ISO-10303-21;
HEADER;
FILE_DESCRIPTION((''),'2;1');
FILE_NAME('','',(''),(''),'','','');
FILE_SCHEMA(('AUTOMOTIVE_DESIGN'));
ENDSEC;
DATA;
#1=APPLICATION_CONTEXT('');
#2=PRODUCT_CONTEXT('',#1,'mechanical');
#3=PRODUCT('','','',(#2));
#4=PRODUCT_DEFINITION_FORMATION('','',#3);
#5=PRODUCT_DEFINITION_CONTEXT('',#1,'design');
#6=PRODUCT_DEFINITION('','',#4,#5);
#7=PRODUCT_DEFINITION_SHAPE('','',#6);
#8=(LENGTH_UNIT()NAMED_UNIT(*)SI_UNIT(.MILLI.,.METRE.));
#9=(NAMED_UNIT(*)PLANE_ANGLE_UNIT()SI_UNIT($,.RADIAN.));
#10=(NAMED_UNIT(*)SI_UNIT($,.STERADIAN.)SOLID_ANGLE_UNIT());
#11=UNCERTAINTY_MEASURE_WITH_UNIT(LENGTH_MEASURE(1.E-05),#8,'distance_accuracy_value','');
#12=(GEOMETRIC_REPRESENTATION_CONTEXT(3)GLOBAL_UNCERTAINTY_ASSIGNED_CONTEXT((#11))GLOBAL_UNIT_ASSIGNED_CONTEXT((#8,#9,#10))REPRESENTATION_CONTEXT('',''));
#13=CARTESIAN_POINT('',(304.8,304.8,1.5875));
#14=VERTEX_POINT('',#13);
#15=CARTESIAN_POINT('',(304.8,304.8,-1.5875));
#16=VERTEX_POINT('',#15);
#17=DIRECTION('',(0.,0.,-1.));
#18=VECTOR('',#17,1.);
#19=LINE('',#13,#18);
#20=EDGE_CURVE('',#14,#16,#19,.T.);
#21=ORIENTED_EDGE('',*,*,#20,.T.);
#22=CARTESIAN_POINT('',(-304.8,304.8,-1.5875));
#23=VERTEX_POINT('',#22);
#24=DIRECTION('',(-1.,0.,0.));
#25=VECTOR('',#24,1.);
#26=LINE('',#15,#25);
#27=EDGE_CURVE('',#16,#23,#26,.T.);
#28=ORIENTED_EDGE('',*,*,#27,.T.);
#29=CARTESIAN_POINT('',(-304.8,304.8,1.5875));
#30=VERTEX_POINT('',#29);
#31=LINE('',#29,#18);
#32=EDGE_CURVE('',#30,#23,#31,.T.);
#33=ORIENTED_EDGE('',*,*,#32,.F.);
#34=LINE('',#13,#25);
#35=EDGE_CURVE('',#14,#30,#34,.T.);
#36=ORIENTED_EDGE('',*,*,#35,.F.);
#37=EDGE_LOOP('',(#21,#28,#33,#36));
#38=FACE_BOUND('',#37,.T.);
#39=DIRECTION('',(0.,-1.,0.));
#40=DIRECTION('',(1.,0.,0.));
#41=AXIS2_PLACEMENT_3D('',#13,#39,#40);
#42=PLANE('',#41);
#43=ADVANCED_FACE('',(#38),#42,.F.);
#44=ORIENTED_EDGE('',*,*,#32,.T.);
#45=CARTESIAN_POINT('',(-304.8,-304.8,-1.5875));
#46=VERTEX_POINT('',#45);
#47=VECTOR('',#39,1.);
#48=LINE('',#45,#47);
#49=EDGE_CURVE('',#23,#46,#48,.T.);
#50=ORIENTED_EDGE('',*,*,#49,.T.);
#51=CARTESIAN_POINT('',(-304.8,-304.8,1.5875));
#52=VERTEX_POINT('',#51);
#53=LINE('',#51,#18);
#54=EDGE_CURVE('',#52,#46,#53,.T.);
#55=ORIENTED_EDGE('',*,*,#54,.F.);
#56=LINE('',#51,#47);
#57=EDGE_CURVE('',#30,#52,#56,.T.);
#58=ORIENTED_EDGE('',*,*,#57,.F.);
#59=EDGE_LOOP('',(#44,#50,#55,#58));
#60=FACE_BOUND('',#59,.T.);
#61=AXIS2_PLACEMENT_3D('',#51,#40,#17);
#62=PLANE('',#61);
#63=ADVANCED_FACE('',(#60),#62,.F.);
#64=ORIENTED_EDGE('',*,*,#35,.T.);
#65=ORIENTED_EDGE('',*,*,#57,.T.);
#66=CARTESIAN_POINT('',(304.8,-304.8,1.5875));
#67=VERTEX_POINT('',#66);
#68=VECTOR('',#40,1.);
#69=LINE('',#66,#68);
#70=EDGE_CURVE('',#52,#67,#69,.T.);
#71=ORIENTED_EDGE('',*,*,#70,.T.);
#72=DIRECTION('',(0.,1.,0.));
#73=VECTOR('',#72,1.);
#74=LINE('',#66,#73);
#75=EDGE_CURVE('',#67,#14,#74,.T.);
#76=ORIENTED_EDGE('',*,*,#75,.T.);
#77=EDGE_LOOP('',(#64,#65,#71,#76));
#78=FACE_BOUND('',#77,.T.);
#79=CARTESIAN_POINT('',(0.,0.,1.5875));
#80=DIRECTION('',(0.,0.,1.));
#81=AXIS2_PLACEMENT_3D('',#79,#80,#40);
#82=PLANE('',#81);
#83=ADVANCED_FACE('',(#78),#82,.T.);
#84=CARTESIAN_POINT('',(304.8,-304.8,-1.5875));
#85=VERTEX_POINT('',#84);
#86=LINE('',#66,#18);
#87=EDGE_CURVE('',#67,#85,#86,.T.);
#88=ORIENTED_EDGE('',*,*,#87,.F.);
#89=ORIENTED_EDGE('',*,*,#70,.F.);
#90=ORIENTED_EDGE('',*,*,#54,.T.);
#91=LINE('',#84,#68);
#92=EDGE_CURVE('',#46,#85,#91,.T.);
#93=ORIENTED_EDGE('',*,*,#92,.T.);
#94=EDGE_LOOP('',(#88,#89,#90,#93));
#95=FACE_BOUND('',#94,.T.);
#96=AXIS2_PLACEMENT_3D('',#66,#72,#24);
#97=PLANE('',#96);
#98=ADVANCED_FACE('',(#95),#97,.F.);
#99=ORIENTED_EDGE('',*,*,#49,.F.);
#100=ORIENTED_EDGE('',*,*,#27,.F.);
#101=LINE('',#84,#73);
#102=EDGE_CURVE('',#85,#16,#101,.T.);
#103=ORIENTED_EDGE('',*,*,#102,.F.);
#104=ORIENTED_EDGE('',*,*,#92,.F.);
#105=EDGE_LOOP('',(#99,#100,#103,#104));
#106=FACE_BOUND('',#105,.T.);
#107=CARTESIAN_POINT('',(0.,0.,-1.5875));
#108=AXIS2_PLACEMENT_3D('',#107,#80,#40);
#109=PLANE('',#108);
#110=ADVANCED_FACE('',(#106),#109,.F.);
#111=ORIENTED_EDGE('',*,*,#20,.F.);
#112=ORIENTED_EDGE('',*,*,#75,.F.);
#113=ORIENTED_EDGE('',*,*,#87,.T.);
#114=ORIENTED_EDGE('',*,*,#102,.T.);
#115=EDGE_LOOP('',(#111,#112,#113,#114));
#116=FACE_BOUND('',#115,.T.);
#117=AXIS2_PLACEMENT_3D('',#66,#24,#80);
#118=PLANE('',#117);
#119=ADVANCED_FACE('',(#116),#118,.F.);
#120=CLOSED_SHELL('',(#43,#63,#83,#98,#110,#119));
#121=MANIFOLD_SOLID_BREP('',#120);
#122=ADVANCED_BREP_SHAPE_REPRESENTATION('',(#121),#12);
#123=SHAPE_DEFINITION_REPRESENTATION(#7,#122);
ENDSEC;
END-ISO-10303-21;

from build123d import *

# Parameters (mm, degrees)
SKETCH1_W           = 609.6
SKETCH1_H           = 609.6
BOSS_EXTRUDE1_DEPTH = 1.5875


with BuildPart() as part:
    # Sketch1 → Boss-Extrude1 (new body, symmetric)
    with BuildSketch(Plane.XY):
        Rectangle(SKETCH1_W, SKETCH1_H)
    extrude(amount=BOSS_EXTRUDE1_DEPTH, both=True)


solid = part.part
